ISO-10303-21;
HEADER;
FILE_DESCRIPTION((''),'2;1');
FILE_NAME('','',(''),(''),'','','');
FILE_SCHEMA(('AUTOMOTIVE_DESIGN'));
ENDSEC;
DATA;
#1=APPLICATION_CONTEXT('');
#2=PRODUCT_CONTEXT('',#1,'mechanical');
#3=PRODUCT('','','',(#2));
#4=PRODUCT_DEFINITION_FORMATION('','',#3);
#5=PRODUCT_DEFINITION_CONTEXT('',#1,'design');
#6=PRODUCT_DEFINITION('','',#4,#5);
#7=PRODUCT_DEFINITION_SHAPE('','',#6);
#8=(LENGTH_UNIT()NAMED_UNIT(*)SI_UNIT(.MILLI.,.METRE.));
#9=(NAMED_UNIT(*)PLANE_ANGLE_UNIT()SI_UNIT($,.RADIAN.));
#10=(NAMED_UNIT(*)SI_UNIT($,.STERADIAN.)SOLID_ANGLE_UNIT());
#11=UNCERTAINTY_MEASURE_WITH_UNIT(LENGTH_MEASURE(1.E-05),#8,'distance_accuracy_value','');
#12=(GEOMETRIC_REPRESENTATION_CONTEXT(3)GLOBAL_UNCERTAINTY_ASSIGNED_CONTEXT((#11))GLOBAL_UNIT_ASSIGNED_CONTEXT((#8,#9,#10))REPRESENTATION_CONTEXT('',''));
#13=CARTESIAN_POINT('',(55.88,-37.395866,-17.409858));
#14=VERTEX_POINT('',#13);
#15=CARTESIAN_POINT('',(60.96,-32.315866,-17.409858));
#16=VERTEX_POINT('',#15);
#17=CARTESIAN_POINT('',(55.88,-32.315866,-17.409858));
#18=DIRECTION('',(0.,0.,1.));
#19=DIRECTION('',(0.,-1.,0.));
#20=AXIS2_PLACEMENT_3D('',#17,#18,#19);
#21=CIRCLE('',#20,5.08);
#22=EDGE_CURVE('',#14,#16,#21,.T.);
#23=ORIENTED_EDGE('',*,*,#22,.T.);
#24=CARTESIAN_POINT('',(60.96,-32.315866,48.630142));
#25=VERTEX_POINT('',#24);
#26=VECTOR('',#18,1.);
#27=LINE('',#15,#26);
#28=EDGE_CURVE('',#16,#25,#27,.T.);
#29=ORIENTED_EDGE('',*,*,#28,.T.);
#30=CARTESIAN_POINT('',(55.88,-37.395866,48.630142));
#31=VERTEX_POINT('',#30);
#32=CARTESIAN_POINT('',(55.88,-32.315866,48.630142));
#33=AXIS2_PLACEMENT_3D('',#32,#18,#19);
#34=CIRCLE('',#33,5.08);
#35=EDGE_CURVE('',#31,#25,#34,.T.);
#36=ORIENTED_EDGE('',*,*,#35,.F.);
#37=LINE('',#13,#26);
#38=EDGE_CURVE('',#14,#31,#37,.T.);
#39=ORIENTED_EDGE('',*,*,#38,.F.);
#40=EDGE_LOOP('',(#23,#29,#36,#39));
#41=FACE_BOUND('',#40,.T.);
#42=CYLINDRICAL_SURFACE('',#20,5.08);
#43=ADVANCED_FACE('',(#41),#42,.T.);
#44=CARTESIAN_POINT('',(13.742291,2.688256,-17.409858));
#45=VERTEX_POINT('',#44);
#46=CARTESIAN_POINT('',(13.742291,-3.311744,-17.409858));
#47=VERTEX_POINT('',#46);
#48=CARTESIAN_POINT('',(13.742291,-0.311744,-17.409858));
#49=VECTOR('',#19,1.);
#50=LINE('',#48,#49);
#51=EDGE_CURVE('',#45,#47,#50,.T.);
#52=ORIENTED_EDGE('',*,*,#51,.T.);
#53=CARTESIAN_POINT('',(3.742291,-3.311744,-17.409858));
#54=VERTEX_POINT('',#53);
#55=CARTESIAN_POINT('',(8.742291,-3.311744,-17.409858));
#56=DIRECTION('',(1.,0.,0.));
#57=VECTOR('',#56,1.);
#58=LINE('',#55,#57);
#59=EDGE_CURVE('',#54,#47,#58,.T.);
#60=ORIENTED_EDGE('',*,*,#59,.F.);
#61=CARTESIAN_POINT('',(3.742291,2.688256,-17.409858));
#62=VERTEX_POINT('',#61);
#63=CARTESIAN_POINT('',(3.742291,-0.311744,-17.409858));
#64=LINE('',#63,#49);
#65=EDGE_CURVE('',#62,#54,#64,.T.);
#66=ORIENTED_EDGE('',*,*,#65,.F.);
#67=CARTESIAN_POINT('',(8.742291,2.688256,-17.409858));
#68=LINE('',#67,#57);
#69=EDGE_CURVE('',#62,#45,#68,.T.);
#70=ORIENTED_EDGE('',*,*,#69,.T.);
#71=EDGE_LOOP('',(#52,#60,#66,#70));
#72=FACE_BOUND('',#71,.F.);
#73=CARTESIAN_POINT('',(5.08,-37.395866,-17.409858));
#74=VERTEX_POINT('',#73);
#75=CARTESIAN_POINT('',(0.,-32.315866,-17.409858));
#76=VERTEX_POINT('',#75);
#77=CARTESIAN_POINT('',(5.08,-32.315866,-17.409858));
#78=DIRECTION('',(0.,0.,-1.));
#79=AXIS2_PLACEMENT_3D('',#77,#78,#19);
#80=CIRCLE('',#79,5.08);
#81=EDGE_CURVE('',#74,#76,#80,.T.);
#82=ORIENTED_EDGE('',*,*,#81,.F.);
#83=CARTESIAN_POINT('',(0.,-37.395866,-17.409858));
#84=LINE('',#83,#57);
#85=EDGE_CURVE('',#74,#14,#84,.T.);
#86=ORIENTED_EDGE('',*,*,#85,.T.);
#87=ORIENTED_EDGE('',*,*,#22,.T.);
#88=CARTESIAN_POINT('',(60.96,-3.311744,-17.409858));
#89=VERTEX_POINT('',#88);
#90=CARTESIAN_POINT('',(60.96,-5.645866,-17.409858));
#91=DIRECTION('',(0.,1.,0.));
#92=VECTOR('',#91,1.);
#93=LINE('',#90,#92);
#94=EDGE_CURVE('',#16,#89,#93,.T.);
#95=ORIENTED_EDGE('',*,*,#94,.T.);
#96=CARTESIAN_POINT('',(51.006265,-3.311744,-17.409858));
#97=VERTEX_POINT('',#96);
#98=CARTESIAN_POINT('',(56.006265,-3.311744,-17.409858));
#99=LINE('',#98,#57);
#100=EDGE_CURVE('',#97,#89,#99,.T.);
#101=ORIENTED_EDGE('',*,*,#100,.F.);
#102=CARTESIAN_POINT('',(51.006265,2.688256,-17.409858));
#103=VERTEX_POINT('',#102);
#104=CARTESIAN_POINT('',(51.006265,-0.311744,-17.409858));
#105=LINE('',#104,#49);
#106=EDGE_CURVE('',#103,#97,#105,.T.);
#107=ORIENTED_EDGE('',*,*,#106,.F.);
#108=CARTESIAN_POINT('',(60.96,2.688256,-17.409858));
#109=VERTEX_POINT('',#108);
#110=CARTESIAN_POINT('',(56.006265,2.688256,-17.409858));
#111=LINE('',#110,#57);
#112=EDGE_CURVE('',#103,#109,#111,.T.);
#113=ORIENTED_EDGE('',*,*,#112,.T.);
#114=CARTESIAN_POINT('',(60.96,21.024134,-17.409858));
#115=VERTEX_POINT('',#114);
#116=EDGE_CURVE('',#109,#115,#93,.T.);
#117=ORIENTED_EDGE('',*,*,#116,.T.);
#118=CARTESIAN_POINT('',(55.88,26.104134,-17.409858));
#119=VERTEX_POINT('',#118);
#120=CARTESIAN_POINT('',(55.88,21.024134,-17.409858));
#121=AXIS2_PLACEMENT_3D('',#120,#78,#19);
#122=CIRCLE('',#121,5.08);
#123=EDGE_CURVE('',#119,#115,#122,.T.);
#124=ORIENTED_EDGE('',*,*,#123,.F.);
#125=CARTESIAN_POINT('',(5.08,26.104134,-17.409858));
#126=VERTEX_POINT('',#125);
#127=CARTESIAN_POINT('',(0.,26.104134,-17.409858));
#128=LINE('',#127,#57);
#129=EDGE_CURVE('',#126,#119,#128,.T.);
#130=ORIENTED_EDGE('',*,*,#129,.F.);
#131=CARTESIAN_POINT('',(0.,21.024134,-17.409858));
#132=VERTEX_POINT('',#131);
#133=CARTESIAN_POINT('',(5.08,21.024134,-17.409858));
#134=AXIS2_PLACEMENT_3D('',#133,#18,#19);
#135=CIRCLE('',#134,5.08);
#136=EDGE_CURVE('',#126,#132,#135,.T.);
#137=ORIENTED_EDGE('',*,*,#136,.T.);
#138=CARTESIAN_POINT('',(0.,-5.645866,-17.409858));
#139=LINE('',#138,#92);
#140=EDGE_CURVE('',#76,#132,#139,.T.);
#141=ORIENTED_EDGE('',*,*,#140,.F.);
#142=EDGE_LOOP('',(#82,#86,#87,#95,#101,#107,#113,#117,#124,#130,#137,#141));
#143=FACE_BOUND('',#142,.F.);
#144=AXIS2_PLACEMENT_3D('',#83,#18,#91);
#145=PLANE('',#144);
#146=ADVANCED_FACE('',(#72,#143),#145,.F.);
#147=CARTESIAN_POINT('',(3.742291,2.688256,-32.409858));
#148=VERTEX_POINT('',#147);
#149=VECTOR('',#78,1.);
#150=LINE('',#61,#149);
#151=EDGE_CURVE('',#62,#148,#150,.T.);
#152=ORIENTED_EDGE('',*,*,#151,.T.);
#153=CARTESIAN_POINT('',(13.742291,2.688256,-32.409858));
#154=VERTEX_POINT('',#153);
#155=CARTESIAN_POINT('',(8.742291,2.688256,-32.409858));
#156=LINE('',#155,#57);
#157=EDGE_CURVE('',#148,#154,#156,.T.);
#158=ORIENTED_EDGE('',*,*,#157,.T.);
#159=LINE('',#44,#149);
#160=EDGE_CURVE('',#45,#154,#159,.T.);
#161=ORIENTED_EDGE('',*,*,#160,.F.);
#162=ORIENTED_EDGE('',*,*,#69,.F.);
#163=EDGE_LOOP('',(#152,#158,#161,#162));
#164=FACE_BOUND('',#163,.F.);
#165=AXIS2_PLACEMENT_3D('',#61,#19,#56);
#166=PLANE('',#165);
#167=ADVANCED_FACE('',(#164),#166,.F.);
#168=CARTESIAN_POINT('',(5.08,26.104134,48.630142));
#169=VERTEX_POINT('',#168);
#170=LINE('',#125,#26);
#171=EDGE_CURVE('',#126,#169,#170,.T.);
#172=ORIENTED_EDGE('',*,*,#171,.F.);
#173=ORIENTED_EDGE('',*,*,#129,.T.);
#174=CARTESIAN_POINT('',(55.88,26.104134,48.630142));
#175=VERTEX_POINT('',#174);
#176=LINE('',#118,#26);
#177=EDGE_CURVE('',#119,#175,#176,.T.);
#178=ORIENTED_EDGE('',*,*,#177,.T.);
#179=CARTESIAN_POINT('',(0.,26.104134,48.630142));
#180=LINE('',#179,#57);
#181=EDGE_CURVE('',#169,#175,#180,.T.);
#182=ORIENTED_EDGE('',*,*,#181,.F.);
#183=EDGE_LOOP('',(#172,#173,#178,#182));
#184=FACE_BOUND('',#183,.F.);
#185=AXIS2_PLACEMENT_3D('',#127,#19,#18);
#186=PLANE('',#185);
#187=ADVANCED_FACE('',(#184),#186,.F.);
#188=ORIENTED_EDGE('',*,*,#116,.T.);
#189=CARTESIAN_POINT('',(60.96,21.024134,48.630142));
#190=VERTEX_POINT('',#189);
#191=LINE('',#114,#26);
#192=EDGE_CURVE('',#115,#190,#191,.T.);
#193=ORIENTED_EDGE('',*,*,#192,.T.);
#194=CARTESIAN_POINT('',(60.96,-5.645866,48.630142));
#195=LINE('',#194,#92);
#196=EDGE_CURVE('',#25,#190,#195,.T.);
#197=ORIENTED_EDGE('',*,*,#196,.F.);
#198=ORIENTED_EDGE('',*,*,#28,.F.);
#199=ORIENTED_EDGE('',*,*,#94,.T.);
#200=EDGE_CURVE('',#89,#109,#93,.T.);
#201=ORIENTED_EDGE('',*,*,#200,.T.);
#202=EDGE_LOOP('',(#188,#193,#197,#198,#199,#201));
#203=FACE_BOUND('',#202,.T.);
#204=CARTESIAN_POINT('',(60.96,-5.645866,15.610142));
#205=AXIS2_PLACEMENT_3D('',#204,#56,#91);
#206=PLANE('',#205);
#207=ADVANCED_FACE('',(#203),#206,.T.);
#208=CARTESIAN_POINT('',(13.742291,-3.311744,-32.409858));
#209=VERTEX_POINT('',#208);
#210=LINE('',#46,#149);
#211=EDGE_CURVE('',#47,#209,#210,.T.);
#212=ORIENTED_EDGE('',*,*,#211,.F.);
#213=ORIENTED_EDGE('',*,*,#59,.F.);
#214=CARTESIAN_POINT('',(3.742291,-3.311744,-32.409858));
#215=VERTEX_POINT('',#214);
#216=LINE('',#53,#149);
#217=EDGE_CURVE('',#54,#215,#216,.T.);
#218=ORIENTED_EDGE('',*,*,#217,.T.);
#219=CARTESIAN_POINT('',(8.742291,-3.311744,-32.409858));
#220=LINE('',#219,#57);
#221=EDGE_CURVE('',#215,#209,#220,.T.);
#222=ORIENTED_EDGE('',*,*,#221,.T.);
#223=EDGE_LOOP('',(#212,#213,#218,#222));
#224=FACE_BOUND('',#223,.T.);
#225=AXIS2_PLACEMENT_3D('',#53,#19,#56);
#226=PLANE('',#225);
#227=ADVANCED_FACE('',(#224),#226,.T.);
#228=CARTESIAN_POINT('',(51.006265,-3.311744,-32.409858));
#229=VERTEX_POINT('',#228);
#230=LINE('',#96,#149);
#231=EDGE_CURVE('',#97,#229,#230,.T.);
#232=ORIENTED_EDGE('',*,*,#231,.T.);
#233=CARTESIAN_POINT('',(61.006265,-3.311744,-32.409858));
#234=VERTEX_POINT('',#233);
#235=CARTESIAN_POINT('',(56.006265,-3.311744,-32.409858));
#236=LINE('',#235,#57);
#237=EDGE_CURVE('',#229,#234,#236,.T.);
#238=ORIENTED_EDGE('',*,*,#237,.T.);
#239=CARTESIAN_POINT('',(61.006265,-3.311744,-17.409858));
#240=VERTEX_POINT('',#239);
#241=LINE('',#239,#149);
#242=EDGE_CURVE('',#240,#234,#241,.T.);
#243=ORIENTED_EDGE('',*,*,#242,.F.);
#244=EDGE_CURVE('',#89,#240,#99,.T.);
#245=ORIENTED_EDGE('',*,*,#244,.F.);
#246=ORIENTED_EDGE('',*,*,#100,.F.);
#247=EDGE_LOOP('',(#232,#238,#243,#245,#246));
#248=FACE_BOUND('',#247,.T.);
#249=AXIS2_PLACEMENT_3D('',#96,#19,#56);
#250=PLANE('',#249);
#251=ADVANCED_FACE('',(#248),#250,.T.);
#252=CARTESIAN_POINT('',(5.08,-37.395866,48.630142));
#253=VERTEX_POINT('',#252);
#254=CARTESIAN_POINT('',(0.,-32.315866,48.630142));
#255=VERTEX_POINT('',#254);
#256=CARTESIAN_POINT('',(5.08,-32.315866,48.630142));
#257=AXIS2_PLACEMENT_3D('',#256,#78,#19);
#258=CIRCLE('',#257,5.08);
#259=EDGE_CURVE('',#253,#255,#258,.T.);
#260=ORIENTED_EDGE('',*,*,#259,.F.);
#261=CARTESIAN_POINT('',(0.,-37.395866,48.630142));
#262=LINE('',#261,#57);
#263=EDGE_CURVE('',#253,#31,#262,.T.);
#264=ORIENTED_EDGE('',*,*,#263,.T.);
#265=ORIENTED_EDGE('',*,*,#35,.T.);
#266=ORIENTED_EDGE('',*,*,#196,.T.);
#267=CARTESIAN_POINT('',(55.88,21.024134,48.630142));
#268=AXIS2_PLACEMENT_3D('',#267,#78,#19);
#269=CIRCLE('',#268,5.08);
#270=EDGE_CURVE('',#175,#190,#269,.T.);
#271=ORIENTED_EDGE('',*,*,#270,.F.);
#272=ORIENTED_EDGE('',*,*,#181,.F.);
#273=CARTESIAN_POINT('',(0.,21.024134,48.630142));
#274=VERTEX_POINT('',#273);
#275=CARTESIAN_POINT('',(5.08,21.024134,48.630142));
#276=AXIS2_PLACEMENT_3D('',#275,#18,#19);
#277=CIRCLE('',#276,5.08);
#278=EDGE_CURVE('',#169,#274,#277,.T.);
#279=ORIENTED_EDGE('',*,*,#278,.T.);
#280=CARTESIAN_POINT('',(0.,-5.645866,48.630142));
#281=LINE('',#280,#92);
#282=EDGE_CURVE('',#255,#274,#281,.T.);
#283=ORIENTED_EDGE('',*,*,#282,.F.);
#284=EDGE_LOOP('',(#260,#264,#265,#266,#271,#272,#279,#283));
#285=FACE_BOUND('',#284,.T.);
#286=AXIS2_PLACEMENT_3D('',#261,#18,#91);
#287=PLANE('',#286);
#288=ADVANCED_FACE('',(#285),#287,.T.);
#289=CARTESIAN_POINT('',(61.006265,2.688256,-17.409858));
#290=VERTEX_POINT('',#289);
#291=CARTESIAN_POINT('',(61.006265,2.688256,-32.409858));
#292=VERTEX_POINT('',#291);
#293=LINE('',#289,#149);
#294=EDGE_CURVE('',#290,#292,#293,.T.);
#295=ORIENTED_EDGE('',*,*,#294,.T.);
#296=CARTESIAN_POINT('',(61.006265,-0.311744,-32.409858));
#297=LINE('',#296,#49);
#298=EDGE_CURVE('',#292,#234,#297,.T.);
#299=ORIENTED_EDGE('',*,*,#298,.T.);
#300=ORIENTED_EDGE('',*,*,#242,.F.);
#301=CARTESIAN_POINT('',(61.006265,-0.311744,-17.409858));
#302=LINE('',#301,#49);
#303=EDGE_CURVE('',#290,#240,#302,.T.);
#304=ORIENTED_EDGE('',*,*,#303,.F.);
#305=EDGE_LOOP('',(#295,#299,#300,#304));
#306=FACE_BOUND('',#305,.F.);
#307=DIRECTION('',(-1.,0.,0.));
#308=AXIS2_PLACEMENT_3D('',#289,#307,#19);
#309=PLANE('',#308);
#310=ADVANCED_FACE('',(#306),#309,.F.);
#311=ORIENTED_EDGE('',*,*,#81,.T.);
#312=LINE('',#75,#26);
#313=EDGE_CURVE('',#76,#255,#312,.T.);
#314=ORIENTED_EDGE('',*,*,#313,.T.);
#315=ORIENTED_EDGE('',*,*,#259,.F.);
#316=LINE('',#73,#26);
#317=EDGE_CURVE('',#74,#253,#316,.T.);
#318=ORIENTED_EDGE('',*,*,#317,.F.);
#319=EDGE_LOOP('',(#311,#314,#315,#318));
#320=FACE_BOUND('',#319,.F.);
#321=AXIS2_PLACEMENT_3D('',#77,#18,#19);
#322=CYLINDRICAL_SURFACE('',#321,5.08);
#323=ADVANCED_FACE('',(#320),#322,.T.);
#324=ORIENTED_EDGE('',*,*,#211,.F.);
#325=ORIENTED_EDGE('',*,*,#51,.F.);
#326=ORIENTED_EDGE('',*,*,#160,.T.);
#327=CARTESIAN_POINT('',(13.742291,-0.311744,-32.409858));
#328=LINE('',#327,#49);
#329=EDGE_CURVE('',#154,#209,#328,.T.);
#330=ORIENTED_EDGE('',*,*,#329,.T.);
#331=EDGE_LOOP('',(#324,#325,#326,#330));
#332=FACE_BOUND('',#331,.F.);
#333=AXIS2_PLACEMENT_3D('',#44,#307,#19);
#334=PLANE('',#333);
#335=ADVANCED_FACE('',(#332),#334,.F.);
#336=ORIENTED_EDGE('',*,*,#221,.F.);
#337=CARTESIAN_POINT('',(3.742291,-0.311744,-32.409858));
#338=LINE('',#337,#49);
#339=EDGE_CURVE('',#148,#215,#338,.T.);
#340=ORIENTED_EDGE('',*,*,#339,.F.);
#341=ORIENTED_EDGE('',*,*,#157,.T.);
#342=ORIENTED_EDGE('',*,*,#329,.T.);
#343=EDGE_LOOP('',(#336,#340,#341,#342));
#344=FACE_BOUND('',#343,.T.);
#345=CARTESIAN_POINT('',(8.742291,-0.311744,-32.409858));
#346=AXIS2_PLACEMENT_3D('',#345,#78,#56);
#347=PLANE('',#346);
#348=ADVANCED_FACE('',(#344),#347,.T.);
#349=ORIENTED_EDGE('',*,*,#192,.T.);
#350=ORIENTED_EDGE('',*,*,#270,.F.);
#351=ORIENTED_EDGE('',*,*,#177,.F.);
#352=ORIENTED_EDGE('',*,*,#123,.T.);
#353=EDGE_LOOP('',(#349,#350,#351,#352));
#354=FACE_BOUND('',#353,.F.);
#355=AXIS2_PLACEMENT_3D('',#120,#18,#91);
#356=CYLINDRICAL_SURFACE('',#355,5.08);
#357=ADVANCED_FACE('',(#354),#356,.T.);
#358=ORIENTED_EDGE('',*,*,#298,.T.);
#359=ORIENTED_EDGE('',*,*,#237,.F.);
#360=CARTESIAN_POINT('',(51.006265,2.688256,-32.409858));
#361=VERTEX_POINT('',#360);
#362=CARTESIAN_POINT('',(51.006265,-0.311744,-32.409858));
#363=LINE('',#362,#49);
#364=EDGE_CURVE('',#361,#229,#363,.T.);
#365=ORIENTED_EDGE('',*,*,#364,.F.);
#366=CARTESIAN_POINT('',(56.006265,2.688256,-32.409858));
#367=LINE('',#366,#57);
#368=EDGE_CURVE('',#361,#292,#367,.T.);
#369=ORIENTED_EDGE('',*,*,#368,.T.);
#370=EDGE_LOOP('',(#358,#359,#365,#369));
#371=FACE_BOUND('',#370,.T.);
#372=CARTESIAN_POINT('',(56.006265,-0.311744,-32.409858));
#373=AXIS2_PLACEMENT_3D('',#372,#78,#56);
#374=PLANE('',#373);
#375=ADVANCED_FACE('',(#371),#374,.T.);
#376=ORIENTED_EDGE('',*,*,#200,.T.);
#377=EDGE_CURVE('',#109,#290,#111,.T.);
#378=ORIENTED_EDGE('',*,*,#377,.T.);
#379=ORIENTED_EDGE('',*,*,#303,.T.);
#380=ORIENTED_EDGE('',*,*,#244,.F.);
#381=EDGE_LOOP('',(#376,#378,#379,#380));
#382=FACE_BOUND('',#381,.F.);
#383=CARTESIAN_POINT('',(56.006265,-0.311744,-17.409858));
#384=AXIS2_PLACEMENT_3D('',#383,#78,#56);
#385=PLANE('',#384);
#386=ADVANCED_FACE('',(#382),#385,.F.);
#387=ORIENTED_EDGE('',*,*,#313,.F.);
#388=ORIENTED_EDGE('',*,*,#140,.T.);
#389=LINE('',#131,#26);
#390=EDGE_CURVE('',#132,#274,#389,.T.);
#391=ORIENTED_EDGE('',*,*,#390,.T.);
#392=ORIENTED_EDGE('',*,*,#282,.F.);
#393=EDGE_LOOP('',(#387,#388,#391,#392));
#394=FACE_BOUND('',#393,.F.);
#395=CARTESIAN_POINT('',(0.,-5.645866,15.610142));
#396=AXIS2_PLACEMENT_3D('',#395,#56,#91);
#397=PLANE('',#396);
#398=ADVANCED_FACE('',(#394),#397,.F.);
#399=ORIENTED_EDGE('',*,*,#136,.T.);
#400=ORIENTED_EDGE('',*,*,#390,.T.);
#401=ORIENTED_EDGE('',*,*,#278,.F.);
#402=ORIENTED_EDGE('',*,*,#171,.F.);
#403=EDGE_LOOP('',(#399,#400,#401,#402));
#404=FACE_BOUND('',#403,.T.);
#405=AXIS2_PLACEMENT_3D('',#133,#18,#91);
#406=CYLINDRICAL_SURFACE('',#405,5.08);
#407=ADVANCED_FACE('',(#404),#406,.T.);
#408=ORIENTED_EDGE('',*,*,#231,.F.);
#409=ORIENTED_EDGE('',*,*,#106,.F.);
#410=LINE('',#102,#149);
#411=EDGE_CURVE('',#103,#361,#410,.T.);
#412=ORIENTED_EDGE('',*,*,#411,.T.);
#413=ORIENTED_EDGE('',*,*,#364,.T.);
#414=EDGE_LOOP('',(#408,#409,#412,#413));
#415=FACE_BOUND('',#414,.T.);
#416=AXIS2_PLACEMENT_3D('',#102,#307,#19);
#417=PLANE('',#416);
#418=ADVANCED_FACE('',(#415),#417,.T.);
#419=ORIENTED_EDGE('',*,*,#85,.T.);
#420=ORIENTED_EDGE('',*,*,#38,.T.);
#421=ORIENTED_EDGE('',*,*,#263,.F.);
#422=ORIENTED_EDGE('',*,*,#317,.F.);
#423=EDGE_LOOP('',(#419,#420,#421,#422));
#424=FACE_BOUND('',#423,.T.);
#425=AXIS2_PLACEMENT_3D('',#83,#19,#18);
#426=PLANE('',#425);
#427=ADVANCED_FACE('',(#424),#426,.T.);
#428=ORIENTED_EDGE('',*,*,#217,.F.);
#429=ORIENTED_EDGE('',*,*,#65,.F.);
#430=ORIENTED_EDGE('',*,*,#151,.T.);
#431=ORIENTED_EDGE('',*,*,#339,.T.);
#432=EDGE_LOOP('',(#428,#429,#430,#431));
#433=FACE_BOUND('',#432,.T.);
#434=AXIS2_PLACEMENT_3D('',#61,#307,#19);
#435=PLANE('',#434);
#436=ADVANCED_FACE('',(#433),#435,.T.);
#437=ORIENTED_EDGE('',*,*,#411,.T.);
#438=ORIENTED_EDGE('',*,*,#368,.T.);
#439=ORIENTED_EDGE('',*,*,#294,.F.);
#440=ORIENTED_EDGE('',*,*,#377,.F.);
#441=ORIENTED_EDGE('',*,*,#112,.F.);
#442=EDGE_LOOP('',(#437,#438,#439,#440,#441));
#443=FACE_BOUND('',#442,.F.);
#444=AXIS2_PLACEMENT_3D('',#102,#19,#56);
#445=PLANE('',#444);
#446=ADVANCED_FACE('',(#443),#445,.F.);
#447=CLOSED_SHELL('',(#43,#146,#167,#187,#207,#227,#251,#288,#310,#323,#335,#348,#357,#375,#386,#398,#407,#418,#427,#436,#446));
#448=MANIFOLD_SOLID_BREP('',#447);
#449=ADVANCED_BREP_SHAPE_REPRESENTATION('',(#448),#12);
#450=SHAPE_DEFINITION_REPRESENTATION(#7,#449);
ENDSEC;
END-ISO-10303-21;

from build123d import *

# Parameters (mm, degrees)
F0_W     = 63.5
F0_H     = 66.04
F1_DEPTH = 60.96
F2_R     = 5.08
F3_W     = 10
F3_H     = 6
F4_DEPTH = 15


with BuildPart() as f1:
    # F0 (on Right) → F1 (new body)
    with BuildSketch(Plane.YZ):
        with Locations((-5.645866, 15.610142)):
            Rectangle(F0_W, F0_H)
    extrude(amount=F1_DEPTH)

    # F2
    f2_edges = [f1.edges().sort_by_distance(p)[0] for p in [
        (60.96, -37.395866, 15.610142),
        (60.96, 26.104134, 15.610142),
        (0, -37.395866, 15.610142),
        (0, 26.104134, 15.610142),
    ]]
    fillet(f2_edges, radius=F2_R)

    # F3 (on face) → F4 (join)
    with BuildSketch(Plane(origin=(0, 0, -17.409858), x_dir=(1, 0, 0), z_dir=(0, 0, -1))):
        with Locations((8.742291, 0.311744)):
            Rectangle(F3_W, F3_H)
        with Locations((56.006265, 0.311744)):
            Rectangle(F3_W, F3_H)
    extrude(amount=F4_DEPTH)


solid = f1.part
